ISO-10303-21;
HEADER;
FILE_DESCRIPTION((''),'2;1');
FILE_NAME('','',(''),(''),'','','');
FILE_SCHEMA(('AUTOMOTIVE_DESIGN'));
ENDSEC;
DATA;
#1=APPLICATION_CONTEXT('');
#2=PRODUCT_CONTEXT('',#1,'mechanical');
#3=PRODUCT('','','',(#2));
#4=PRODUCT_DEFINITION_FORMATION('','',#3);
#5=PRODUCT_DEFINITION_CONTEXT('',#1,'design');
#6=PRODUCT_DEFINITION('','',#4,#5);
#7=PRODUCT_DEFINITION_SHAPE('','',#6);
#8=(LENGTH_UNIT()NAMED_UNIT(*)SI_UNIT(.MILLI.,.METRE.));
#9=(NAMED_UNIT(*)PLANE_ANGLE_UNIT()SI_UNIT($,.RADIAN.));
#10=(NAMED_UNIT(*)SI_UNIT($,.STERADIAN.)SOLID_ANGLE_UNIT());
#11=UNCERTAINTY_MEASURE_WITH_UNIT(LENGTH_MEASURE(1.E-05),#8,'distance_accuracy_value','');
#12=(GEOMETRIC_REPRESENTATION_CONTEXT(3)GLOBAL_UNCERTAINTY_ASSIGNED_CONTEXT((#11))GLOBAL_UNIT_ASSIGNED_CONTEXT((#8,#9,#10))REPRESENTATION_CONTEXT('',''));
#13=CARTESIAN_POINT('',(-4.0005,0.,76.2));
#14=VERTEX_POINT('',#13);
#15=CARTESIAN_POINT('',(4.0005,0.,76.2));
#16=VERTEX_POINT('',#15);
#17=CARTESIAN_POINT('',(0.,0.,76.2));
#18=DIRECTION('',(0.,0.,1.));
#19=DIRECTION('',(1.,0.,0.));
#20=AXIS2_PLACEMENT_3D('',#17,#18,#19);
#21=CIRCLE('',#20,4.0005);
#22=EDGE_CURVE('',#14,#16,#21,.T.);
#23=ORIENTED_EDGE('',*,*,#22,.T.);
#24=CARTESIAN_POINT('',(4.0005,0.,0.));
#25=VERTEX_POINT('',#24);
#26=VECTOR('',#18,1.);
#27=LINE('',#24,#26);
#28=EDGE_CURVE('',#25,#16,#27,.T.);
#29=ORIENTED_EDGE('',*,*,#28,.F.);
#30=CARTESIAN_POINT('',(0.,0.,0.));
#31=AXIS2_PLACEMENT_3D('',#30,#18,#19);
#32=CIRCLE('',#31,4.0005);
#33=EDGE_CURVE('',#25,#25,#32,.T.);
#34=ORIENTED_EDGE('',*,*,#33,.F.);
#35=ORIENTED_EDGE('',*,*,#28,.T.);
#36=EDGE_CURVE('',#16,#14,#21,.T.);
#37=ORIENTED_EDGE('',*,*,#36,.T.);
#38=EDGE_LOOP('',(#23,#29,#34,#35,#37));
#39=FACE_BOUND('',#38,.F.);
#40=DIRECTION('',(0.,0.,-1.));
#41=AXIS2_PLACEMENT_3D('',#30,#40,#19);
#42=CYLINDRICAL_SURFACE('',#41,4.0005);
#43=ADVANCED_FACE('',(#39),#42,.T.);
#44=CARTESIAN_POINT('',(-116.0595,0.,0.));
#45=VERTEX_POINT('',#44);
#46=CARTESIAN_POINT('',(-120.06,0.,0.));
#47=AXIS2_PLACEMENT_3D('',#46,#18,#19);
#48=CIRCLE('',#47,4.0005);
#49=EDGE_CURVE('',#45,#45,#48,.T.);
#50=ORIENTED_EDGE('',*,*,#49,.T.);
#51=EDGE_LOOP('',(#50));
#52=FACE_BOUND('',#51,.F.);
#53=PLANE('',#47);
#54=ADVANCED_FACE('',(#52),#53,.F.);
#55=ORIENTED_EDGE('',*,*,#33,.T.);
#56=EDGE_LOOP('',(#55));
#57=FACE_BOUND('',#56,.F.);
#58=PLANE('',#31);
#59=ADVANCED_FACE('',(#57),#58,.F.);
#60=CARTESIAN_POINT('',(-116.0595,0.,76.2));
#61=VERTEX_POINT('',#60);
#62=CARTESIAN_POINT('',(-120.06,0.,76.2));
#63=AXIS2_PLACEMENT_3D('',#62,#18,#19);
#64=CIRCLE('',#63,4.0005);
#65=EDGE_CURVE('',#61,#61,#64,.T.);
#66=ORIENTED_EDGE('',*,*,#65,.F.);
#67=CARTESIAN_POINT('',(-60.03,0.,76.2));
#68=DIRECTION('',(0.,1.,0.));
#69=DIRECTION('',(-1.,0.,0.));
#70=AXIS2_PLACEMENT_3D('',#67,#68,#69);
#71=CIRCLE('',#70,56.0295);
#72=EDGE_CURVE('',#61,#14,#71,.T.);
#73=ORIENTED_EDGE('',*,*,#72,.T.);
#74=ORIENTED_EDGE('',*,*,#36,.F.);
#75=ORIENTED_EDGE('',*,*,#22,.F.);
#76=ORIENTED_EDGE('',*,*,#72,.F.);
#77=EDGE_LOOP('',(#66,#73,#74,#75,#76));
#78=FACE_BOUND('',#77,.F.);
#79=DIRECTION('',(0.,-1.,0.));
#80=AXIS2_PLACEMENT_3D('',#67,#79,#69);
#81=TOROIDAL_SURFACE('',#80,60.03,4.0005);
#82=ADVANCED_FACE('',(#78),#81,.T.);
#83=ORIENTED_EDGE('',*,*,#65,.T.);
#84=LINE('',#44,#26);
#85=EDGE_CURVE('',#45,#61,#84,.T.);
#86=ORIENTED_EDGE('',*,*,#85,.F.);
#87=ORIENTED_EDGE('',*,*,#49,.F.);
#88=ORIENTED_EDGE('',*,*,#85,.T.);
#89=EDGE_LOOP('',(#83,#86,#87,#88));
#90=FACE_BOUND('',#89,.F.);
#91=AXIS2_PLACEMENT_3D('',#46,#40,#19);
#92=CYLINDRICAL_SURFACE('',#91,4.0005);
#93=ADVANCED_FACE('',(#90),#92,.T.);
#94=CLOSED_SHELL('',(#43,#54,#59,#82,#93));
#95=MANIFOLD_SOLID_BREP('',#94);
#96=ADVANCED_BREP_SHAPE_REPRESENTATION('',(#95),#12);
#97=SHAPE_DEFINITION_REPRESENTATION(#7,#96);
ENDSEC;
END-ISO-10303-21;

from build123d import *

# Parameters (mm, degrees)
F0_R     = 4.0005
F1_DEPTH = 76.2
F2_R     = 4.0005
F3_ANGLE = 180


with BuildPart() as f1:
    # F0 (on Top) → F1 (new body)
    with BuildSketch(Plane.XY):
        Circle(F0_R)
    extrude(amount=F1_DEPTH)



with BuildPart() as f1b:
    # F0 (on Top) → F1, piece 2 (new body)
    with BuildSketch(Plane.XY):
        with Locations((-120.06, 0)):
            Circle(F0_R)
    extrude(amount=F1_DEPTH)


with BuildPart() as f1_1:
    add(f1.part)

    add(f1b.part)  # F3 merges F1b
    # F2 (on face) → F3 (revolve)
    with BuildSketch(Plane.XY.offset(76.2)):
        with Locations((-120.06, 0)):
            Circle(F2_R)
    revolve(axis=Axis((-60.03, -12.1569465846, 76.2), (0, 1, 0)), revolution_arc=F3_ANGLE)


solid = f1_1.part
